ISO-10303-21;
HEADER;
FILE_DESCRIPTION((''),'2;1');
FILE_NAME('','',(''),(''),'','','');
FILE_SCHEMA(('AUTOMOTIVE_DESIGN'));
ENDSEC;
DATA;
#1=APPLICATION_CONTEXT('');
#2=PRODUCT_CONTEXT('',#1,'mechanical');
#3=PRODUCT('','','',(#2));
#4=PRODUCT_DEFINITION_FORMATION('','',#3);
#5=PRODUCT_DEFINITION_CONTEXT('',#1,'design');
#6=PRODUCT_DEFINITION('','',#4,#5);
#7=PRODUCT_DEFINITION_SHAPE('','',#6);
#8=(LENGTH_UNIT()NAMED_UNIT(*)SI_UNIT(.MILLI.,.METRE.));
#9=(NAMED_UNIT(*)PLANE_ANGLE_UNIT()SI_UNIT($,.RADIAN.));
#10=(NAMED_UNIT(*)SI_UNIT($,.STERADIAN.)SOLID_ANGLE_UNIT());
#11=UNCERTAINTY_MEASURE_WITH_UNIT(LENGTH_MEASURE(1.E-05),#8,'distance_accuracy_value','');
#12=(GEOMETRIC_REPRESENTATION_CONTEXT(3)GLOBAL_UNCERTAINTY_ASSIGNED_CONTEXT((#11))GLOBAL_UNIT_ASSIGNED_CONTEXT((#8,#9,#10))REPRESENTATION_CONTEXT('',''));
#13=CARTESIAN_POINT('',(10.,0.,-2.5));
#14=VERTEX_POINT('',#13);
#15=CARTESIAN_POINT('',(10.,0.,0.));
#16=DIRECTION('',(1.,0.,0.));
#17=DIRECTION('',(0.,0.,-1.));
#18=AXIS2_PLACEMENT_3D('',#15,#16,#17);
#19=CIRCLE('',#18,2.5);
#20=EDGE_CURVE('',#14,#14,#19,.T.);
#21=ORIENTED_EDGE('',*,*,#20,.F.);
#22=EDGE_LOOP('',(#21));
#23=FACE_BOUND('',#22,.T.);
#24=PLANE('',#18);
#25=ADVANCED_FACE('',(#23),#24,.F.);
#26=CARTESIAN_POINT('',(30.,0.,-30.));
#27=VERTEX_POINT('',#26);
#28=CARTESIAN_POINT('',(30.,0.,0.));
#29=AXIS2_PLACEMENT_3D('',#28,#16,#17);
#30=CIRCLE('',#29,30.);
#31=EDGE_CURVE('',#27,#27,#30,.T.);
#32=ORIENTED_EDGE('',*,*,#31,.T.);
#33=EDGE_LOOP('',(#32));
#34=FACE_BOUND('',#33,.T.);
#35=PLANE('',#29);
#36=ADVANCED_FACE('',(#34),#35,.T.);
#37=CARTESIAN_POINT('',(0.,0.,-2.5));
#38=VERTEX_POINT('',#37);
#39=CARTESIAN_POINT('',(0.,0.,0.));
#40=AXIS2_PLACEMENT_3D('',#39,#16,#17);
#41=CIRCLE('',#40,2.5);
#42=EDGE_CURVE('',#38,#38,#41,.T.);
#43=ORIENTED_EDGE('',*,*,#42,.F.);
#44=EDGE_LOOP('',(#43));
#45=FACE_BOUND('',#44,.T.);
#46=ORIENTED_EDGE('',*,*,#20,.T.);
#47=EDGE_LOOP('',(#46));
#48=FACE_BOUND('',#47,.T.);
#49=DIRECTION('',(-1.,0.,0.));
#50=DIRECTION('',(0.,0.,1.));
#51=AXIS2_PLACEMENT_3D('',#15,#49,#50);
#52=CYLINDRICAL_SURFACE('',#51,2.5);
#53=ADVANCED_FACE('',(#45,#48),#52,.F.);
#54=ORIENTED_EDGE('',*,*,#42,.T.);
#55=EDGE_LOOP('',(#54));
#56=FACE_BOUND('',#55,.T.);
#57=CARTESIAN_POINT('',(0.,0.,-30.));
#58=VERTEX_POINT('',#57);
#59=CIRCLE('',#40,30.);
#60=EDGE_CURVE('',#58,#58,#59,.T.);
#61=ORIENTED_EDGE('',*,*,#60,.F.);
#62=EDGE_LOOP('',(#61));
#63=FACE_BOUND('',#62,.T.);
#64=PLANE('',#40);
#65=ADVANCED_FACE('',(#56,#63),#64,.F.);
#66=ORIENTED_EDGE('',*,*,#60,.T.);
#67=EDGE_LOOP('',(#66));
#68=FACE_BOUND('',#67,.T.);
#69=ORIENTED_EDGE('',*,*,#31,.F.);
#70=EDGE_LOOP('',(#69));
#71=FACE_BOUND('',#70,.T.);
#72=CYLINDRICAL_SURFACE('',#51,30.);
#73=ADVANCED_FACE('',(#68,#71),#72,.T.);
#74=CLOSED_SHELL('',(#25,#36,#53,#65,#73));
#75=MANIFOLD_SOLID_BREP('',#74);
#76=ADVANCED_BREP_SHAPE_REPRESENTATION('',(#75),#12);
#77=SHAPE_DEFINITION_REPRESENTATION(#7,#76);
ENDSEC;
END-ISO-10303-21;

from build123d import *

# Parameters (mm, degrees)
SKETCH1_R           = 30
SKETCH1_R_2         = 2.5
BOSS_EXTRUDE1_DEPTH = 10
SKETCH2_R           = 30
BOSS_EXTRUDE2_DEPTH = 20


with BuildPart() as part:
    # Sketch1 → Boss-Extrude1 (new body)
    with BuildSketch(Plane(origin=(0, 0, 0), x_dir=(0, 0, -1), z_dir=(1, 0, 0))):
        Circle(SKETCH1_R)
        Circle(SKETCH1_R_2, mode=Mode.SUBTRACT)
    extrude(amount=BOSS_EXTRUDE1_DEPTH)

    # Sketch2 → Boss-Extrude2 (add)
    with BuildSketch(Plane(origin=(10, 0, 0), x_dir=(0, 0, -1), z_dir=(1, 0, 0))):
        Circle(SKETCH2_R)
    extrude(amount=BOSS_EXTRUDE2_DEPTH)


solid = part.part
